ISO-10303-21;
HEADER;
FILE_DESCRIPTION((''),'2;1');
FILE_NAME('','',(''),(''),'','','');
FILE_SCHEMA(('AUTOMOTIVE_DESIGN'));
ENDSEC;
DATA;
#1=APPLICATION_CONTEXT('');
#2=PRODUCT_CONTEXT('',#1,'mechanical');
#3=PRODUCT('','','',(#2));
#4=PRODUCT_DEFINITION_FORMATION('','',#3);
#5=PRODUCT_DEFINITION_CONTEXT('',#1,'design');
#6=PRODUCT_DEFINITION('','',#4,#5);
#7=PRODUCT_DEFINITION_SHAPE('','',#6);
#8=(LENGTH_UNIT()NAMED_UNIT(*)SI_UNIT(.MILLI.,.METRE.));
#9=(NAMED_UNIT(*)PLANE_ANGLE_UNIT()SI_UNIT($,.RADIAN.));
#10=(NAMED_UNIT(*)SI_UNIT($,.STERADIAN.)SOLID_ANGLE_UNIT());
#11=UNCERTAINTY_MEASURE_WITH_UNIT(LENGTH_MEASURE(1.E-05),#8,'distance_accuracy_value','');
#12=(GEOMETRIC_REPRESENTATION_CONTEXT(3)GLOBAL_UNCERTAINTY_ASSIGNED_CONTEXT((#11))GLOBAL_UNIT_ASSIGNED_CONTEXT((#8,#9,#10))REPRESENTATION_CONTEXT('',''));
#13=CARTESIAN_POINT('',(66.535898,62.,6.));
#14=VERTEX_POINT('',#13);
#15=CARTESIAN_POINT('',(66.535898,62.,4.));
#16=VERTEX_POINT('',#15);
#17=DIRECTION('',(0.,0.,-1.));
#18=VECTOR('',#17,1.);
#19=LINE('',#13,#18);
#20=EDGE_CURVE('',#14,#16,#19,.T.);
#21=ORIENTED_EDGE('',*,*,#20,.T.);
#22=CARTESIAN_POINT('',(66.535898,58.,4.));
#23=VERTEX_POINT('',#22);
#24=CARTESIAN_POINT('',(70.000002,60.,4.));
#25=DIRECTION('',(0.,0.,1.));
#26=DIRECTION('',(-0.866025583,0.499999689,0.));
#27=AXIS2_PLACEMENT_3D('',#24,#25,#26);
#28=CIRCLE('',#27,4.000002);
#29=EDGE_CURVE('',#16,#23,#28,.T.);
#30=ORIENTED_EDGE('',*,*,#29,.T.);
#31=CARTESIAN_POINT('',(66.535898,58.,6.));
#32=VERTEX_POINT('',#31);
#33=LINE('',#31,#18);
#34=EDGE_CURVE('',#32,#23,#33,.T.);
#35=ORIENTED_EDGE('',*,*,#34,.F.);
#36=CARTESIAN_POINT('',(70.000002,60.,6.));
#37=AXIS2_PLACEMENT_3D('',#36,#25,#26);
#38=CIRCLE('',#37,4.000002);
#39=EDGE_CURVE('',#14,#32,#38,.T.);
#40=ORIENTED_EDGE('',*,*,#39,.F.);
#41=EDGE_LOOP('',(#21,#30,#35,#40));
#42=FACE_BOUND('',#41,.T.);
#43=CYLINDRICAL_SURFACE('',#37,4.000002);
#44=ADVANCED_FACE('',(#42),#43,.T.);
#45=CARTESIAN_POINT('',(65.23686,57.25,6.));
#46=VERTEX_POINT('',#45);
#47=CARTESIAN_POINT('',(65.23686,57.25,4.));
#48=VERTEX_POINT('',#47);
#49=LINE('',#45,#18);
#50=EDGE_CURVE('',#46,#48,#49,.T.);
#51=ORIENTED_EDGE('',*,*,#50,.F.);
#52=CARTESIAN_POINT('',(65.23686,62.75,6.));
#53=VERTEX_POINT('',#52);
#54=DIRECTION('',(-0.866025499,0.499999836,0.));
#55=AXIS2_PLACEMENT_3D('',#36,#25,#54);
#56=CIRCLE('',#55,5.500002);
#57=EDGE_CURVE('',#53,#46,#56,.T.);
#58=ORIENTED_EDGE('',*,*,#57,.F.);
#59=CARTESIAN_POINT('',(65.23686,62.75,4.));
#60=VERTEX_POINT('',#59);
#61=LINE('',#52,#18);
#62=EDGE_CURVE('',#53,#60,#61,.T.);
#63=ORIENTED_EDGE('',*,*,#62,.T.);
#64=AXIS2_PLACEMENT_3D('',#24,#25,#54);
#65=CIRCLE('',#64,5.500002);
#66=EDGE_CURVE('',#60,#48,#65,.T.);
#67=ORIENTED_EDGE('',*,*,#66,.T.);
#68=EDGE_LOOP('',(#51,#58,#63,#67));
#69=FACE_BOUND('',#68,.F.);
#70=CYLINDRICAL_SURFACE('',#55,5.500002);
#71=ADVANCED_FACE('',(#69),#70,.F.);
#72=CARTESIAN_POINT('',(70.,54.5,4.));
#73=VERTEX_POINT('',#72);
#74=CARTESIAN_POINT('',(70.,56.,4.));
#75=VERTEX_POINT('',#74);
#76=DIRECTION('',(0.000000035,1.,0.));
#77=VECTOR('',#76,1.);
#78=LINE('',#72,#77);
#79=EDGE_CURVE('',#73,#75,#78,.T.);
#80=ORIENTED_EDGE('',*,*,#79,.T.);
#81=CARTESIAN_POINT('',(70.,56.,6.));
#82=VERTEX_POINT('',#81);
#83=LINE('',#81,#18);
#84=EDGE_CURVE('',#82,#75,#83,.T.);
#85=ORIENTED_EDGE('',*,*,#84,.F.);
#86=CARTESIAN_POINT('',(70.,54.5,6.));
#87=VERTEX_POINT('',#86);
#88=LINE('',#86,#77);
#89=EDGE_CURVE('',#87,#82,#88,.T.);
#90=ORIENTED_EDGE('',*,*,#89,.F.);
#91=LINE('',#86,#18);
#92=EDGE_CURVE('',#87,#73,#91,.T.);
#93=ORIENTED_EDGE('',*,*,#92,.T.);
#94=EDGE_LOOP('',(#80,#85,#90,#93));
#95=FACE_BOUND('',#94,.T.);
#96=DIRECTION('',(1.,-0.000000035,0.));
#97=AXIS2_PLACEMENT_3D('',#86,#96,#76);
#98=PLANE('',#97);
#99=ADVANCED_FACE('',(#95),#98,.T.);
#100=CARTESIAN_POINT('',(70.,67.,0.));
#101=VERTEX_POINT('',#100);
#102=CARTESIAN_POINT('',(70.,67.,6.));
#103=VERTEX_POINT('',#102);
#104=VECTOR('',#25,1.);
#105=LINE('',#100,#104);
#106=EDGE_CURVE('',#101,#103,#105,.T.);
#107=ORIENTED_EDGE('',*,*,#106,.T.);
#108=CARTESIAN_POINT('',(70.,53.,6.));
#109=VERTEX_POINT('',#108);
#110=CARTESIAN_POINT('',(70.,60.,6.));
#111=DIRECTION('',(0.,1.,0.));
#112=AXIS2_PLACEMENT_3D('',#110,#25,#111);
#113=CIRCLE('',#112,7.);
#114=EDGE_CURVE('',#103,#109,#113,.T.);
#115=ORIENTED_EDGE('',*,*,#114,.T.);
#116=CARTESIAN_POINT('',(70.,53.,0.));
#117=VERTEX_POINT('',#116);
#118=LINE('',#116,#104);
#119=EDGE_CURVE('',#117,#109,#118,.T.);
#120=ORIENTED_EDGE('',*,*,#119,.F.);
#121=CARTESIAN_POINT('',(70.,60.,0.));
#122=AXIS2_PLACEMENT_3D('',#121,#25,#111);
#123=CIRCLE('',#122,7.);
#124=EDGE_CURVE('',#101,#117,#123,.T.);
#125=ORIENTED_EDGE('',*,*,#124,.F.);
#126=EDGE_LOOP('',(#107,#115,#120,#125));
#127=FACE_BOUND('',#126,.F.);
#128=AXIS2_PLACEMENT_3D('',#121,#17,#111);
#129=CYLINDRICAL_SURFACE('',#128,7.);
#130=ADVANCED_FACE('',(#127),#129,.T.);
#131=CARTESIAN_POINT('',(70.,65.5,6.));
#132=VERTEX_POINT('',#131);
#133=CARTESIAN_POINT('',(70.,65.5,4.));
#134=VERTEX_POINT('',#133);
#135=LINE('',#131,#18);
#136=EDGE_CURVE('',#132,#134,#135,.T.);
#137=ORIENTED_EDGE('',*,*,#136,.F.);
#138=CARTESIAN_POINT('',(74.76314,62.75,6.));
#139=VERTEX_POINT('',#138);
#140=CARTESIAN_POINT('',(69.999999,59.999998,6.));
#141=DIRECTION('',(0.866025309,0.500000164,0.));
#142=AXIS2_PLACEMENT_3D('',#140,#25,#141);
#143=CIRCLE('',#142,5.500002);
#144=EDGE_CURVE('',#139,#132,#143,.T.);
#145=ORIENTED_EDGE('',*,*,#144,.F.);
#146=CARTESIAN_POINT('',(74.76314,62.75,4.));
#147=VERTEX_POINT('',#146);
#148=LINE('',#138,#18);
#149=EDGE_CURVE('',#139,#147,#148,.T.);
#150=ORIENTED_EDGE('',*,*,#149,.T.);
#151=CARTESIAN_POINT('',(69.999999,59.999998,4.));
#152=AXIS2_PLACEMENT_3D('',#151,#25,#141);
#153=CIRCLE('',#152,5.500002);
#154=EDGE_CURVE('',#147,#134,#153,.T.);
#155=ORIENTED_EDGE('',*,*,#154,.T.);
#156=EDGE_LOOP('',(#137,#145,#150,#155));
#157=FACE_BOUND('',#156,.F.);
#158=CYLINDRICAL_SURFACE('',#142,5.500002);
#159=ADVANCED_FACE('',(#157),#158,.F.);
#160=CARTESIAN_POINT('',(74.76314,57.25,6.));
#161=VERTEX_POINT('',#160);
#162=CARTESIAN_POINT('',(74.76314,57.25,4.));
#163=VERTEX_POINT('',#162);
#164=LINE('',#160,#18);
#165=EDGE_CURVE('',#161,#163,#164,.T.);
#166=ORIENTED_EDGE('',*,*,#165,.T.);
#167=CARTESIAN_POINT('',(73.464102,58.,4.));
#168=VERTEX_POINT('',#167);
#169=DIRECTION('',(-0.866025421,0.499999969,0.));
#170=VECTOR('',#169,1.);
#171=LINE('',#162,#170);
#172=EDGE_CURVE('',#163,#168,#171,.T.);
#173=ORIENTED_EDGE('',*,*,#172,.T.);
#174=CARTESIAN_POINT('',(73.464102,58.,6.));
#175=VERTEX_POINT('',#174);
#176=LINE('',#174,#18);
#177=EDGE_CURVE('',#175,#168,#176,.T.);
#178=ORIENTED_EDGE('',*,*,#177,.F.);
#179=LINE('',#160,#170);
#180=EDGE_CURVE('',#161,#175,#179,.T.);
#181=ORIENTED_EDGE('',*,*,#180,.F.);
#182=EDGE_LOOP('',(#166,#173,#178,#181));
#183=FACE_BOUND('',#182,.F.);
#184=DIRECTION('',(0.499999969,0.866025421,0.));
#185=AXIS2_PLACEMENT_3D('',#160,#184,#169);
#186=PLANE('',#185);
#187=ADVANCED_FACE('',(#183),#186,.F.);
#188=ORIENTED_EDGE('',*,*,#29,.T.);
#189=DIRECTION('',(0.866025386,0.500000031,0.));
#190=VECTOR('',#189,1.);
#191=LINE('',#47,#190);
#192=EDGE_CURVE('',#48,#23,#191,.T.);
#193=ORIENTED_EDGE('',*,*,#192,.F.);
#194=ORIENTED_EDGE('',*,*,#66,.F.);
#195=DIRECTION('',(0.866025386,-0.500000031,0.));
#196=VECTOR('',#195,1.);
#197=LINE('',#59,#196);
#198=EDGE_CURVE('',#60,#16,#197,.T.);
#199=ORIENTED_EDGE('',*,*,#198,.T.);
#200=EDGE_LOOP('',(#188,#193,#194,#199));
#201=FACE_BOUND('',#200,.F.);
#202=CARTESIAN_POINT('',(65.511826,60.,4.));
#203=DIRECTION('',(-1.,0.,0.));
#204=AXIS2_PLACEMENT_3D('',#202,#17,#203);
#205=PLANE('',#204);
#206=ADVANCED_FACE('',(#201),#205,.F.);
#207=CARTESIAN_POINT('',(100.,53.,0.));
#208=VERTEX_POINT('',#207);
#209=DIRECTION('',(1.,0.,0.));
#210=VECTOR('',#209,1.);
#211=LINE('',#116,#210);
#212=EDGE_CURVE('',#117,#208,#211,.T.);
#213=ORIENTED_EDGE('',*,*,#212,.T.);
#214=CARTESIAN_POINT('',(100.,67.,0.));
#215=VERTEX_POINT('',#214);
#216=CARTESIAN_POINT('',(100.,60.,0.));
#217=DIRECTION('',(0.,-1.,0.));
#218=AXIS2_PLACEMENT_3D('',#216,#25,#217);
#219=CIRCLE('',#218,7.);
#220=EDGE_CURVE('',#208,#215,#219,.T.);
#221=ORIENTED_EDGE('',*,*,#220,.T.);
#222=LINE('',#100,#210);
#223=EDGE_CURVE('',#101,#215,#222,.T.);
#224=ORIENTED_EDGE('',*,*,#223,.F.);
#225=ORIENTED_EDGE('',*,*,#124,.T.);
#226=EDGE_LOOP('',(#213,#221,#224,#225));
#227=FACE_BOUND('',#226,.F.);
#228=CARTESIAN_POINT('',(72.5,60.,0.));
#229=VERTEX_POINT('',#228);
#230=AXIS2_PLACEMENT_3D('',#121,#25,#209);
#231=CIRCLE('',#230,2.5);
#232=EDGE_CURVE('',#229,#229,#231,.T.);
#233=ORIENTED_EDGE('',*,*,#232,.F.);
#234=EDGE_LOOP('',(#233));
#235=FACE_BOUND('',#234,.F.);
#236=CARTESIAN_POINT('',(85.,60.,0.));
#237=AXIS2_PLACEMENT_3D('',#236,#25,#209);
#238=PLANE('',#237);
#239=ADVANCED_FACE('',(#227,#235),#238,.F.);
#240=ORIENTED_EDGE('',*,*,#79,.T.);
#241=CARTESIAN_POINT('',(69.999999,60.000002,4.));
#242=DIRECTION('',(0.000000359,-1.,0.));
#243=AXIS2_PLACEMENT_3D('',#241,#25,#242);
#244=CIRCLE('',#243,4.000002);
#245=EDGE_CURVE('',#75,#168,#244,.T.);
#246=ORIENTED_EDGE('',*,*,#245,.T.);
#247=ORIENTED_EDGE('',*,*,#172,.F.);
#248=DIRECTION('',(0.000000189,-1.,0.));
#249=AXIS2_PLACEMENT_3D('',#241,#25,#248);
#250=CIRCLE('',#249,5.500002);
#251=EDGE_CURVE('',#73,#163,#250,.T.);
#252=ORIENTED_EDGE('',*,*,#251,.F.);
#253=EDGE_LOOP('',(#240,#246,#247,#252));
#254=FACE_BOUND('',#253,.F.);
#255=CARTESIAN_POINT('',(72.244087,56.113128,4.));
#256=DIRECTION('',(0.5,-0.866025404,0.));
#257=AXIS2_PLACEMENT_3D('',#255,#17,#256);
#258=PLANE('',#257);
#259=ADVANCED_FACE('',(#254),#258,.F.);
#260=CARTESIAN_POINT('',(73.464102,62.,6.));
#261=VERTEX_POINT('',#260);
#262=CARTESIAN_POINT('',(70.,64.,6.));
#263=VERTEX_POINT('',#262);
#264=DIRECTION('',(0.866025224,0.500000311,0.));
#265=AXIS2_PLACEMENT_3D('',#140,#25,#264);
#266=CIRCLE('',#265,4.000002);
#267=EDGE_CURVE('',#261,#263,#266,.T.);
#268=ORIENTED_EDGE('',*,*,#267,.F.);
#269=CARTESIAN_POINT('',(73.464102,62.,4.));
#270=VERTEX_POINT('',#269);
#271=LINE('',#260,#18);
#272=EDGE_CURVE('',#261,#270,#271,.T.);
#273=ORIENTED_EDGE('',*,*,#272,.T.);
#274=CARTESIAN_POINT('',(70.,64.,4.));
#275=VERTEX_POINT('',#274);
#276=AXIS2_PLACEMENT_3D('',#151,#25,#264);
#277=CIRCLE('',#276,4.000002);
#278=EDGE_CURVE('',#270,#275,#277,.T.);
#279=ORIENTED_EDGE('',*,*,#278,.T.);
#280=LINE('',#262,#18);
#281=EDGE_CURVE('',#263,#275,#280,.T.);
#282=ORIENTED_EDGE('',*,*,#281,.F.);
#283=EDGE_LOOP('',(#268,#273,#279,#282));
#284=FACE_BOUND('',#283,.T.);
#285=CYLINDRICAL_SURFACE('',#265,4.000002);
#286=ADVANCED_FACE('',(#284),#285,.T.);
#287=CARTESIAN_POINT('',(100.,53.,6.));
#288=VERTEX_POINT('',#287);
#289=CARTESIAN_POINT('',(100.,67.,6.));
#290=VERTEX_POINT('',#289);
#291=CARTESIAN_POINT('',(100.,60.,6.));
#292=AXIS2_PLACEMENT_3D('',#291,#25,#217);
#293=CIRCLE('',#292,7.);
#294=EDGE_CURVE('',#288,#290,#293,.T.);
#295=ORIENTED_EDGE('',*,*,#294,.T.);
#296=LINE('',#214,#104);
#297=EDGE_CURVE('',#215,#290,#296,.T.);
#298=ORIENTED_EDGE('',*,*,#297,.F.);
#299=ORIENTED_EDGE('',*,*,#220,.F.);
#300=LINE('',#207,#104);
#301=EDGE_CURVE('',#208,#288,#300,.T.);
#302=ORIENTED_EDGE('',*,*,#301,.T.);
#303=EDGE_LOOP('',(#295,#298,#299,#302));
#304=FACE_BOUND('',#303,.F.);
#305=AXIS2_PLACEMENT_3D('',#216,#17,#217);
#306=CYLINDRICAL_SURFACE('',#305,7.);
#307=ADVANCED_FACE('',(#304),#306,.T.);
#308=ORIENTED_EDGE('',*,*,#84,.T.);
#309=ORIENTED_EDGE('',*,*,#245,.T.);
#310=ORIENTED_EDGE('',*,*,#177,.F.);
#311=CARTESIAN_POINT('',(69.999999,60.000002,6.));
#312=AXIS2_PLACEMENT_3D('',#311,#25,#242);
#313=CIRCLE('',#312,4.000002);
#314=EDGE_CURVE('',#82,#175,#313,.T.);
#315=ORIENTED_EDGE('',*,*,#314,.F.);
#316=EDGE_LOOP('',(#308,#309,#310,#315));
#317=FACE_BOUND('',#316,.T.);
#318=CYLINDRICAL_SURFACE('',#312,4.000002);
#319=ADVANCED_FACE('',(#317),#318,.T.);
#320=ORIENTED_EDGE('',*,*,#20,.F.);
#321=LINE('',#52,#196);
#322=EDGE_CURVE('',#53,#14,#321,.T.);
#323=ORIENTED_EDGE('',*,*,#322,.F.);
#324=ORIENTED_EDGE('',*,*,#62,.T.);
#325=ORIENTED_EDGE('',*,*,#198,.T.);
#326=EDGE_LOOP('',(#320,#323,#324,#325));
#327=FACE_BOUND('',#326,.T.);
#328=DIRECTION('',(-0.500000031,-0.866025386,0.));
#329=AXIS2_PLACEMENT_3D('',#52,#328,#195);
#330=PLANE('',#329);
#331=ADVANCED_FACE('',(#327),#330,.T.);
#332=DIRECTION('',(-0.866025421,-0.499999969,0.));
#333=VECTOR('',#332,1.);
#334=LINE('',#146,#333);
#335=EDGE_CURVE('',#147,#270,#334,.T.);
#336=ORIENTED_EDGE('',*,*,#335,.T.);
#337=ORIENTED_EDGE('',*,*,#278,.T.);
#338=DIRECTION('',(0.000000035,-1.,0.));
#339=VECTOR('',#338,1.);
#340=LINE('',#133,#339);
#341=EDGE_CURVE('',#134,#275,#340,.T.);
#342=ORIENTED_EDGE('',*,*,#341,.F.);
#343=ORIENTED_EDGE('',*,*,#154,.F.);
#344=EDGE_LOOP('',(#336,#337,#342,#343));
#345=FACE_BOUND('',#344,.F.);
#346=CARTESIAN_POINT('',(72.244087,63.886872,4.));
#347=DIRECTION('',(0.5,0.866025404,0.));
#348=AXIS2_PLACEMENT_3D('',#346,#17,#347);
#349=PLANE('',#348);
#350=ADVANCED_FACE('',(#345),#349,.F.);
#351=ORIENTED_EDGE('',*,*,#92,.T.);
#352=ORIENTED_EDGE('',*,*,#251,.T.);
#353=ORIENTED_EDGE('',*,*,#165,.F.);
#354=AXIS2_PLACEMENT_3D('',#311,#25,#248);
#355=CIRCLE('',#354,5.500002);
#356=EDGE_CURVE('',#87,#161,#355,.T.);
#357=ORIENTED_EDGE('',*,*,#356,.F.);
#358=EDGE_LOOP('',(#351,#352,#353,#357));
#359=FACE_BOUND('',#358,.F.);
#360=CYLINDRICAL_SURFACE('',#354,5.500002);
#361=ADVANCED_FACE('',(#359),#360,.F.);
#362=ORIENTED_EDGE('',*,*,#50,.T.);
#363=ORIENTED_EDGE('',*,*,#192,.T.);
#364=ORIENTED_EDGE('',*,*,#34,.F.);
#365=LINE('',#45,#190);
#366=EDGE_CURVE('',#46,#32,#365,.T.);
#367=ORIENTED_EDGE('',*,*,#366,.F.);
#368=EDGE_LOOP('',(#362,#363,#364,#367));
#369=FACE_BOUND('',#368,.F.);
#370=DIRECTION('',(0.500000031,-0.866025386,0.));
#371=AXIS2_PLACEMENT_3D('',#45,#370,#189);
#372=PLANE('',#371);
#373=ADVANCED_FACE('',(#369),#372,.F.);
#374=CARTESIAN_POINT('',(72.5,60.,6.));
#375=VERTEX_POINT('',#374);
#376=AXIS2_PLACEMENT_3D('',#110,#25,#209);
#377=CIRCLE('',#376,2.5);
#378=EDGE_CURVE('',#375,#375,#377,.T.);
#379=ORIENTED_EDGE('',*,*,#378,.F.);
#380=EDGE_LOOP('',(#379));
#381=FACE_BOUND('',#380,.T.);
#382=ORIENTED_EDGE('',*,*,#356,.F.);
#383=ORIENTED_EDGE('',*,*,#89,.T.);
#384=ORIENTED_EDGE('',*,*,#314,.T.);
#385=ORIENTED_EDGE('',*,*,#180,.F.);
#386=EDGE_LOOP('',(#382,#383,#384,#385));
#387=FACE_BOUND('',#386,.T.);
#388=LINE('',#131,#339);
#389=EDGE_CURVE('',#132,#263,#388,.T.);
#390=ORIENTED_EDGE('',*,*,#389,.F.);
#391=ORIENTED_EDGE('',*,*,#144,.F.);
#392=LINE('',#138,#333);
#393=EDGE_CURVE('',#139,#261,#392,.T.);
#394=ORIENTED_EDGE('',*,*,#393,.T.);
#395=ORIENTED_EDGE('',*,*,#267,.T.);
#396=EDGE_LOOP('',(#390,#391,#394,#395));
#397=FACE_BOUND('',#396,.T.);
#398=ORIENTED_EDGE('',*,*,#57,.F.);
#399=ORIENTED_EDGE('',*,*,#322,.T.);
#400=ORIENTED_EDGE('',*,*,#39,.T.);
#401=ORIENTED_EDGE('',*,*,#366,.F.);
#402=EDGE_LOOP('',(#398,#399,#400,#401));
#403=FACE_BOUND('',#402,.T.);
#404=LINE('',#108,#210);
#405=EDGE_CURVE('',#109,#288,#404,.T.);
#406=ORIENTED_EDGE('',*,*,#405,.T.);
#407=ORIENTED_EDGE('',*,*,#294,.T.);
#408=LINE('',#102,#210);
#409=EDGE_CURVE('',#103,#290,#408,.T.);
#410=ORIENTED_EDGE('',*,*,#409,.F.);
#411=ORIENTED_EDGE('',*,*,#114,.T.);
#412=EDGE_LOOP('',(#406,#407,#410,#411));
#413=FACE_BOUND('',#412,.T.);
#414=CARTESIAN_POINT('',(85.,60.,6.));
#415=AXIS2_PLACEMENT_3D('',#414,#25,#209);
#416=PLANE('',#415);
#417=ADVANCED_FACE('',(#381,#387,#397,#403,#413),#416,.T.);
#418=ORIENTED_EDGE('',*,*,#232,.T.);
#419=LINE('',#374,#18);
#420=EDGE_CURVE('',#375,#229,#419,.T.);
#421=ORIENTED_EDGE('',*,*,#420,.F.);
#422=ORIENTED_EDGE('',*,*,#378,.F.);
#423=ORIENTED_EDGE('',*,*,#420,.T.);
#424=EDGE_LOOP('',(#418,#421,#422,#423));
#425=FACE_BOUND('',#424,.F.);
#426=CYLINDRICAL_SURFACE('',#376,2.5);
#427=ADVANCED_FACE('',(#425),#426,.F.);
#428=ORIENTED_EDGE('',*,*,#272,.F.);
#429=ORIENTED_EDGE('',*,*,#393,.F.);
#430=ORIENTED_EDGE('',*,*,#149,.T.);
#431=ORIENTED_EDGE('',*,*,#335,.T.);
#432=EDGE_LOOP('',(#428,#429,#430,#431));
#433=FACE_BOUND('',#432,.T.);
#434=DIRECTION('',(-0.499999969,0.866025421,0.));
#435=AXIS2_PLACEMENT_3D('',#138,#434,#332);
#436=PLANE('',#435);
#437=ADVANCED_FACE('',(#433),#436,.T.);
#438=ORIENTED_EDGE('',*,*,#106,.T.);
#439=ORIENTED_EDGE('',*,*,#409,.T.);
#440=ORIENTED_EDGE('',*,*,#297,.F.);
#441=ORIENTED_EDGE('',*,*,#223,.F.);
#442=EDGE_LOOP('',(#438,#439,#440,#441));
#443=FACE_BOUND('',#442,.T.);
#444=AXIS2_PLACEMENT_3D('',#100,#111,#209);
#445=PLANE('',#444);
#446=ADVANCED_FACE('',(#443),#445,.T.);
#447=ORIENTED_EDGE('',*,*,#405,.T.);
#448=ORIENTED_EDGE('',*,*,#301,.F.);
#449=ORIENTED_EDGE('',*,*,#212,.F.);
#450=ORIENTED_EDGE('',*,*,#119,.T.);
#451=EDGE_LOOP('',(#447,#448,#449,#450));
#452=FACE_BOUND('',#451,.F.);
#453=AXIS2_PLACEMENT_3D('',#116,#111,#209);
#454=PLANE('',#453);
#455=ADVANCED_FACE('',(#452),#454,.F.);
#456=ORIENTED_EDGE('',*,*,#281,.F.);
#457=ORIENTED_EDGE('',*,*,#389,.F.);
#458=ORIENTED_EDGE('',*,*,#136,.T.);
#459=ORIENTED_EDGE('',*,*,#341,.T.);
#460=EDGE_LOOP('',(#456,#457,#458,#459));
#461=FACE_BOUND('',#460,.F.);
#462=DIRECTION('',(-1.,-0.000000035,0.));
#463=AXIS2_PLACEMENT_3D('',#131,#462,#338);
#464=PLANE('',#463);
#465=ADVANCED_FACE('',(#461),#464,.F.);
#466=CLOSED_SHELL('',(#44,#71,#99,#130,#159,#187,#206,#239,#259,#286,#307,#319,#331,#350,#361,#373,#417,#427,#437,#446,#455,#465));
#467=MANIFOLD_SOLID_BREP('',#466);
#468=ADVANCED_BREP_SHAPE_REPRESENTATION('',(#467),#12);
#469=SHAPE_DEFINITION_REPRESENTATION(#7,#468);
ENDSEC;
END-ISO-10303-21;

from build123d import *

# Parameters (mm, degrees)
PAD008_DEPTH          = 6
SKETCH017_R           = 2.5
POCKET008_DEPTH       = 6.001
POCKET009_DEPTH       = 2
POLARPATTERN001_COUNT = 3


with BuildPart() as part:
    # Sketch016 → Pad008 (new body)
    with BuildSketch(Plane.XY):
        with BuildLine():
            ThreePointArc((0, 7), (-7, 0), (0, -7))
            Line((0, -7), (30, -7))
            ThreePointArc((30, -7), (37, 0), (30, 7))
            Line((0, 7), (30, 7))
        make_face()
    extrude(amount=PAD008_DEPTH)

    # Sketch017 (on Face6 of Pad008) → Pocket008 (cut, through all)
    with BuildSketch(Plane.XY.offset(6)):
        Circle(SKETCH017_R)
    extrude(amount=-POCKET008_DEPTH, mode=Mode.SUBTRACT)

    # Sketch019 (on Face5 of Pocket008) → Pocket009 (cut)
    with BuildSketch(Plane.XY.offset(6)):
        with BuildLine():
            ThreePointArc((-3.464102, 2), (-4, 0), (-3.464102, -2))
            Line((-4.76314, -2.75), (-3.464102, -2))
            ThreePointArc((-4.76314, 2.75), (-5.5, 0), (-4.76314, -2.75))
            Line((-4.76314, 2.75), (-3.464102, 2))
        make_face()
    pocket009 = extrude(amount=-POCKET009_DEPTH, mode=Mode.SUBTRACT)

    # PolarPattern001: Pocket009 ×3 about axis
    polarpattern001_axis = Axis((0, 0, 6), (0, 0, 1))
    for i in range(1, POLARPATTERN001_COUNT):
        add(pocket009.rotate(polarpattern001_axis, i * 360 / POLARPATTERN001_COUNT), mode=Mode.SUBTRACT)


with BuildPart() as part_1:
    # Body002 placement: moved
    add(part.part.moved(Location((70, 60, 0))))


solid = part_1.part
